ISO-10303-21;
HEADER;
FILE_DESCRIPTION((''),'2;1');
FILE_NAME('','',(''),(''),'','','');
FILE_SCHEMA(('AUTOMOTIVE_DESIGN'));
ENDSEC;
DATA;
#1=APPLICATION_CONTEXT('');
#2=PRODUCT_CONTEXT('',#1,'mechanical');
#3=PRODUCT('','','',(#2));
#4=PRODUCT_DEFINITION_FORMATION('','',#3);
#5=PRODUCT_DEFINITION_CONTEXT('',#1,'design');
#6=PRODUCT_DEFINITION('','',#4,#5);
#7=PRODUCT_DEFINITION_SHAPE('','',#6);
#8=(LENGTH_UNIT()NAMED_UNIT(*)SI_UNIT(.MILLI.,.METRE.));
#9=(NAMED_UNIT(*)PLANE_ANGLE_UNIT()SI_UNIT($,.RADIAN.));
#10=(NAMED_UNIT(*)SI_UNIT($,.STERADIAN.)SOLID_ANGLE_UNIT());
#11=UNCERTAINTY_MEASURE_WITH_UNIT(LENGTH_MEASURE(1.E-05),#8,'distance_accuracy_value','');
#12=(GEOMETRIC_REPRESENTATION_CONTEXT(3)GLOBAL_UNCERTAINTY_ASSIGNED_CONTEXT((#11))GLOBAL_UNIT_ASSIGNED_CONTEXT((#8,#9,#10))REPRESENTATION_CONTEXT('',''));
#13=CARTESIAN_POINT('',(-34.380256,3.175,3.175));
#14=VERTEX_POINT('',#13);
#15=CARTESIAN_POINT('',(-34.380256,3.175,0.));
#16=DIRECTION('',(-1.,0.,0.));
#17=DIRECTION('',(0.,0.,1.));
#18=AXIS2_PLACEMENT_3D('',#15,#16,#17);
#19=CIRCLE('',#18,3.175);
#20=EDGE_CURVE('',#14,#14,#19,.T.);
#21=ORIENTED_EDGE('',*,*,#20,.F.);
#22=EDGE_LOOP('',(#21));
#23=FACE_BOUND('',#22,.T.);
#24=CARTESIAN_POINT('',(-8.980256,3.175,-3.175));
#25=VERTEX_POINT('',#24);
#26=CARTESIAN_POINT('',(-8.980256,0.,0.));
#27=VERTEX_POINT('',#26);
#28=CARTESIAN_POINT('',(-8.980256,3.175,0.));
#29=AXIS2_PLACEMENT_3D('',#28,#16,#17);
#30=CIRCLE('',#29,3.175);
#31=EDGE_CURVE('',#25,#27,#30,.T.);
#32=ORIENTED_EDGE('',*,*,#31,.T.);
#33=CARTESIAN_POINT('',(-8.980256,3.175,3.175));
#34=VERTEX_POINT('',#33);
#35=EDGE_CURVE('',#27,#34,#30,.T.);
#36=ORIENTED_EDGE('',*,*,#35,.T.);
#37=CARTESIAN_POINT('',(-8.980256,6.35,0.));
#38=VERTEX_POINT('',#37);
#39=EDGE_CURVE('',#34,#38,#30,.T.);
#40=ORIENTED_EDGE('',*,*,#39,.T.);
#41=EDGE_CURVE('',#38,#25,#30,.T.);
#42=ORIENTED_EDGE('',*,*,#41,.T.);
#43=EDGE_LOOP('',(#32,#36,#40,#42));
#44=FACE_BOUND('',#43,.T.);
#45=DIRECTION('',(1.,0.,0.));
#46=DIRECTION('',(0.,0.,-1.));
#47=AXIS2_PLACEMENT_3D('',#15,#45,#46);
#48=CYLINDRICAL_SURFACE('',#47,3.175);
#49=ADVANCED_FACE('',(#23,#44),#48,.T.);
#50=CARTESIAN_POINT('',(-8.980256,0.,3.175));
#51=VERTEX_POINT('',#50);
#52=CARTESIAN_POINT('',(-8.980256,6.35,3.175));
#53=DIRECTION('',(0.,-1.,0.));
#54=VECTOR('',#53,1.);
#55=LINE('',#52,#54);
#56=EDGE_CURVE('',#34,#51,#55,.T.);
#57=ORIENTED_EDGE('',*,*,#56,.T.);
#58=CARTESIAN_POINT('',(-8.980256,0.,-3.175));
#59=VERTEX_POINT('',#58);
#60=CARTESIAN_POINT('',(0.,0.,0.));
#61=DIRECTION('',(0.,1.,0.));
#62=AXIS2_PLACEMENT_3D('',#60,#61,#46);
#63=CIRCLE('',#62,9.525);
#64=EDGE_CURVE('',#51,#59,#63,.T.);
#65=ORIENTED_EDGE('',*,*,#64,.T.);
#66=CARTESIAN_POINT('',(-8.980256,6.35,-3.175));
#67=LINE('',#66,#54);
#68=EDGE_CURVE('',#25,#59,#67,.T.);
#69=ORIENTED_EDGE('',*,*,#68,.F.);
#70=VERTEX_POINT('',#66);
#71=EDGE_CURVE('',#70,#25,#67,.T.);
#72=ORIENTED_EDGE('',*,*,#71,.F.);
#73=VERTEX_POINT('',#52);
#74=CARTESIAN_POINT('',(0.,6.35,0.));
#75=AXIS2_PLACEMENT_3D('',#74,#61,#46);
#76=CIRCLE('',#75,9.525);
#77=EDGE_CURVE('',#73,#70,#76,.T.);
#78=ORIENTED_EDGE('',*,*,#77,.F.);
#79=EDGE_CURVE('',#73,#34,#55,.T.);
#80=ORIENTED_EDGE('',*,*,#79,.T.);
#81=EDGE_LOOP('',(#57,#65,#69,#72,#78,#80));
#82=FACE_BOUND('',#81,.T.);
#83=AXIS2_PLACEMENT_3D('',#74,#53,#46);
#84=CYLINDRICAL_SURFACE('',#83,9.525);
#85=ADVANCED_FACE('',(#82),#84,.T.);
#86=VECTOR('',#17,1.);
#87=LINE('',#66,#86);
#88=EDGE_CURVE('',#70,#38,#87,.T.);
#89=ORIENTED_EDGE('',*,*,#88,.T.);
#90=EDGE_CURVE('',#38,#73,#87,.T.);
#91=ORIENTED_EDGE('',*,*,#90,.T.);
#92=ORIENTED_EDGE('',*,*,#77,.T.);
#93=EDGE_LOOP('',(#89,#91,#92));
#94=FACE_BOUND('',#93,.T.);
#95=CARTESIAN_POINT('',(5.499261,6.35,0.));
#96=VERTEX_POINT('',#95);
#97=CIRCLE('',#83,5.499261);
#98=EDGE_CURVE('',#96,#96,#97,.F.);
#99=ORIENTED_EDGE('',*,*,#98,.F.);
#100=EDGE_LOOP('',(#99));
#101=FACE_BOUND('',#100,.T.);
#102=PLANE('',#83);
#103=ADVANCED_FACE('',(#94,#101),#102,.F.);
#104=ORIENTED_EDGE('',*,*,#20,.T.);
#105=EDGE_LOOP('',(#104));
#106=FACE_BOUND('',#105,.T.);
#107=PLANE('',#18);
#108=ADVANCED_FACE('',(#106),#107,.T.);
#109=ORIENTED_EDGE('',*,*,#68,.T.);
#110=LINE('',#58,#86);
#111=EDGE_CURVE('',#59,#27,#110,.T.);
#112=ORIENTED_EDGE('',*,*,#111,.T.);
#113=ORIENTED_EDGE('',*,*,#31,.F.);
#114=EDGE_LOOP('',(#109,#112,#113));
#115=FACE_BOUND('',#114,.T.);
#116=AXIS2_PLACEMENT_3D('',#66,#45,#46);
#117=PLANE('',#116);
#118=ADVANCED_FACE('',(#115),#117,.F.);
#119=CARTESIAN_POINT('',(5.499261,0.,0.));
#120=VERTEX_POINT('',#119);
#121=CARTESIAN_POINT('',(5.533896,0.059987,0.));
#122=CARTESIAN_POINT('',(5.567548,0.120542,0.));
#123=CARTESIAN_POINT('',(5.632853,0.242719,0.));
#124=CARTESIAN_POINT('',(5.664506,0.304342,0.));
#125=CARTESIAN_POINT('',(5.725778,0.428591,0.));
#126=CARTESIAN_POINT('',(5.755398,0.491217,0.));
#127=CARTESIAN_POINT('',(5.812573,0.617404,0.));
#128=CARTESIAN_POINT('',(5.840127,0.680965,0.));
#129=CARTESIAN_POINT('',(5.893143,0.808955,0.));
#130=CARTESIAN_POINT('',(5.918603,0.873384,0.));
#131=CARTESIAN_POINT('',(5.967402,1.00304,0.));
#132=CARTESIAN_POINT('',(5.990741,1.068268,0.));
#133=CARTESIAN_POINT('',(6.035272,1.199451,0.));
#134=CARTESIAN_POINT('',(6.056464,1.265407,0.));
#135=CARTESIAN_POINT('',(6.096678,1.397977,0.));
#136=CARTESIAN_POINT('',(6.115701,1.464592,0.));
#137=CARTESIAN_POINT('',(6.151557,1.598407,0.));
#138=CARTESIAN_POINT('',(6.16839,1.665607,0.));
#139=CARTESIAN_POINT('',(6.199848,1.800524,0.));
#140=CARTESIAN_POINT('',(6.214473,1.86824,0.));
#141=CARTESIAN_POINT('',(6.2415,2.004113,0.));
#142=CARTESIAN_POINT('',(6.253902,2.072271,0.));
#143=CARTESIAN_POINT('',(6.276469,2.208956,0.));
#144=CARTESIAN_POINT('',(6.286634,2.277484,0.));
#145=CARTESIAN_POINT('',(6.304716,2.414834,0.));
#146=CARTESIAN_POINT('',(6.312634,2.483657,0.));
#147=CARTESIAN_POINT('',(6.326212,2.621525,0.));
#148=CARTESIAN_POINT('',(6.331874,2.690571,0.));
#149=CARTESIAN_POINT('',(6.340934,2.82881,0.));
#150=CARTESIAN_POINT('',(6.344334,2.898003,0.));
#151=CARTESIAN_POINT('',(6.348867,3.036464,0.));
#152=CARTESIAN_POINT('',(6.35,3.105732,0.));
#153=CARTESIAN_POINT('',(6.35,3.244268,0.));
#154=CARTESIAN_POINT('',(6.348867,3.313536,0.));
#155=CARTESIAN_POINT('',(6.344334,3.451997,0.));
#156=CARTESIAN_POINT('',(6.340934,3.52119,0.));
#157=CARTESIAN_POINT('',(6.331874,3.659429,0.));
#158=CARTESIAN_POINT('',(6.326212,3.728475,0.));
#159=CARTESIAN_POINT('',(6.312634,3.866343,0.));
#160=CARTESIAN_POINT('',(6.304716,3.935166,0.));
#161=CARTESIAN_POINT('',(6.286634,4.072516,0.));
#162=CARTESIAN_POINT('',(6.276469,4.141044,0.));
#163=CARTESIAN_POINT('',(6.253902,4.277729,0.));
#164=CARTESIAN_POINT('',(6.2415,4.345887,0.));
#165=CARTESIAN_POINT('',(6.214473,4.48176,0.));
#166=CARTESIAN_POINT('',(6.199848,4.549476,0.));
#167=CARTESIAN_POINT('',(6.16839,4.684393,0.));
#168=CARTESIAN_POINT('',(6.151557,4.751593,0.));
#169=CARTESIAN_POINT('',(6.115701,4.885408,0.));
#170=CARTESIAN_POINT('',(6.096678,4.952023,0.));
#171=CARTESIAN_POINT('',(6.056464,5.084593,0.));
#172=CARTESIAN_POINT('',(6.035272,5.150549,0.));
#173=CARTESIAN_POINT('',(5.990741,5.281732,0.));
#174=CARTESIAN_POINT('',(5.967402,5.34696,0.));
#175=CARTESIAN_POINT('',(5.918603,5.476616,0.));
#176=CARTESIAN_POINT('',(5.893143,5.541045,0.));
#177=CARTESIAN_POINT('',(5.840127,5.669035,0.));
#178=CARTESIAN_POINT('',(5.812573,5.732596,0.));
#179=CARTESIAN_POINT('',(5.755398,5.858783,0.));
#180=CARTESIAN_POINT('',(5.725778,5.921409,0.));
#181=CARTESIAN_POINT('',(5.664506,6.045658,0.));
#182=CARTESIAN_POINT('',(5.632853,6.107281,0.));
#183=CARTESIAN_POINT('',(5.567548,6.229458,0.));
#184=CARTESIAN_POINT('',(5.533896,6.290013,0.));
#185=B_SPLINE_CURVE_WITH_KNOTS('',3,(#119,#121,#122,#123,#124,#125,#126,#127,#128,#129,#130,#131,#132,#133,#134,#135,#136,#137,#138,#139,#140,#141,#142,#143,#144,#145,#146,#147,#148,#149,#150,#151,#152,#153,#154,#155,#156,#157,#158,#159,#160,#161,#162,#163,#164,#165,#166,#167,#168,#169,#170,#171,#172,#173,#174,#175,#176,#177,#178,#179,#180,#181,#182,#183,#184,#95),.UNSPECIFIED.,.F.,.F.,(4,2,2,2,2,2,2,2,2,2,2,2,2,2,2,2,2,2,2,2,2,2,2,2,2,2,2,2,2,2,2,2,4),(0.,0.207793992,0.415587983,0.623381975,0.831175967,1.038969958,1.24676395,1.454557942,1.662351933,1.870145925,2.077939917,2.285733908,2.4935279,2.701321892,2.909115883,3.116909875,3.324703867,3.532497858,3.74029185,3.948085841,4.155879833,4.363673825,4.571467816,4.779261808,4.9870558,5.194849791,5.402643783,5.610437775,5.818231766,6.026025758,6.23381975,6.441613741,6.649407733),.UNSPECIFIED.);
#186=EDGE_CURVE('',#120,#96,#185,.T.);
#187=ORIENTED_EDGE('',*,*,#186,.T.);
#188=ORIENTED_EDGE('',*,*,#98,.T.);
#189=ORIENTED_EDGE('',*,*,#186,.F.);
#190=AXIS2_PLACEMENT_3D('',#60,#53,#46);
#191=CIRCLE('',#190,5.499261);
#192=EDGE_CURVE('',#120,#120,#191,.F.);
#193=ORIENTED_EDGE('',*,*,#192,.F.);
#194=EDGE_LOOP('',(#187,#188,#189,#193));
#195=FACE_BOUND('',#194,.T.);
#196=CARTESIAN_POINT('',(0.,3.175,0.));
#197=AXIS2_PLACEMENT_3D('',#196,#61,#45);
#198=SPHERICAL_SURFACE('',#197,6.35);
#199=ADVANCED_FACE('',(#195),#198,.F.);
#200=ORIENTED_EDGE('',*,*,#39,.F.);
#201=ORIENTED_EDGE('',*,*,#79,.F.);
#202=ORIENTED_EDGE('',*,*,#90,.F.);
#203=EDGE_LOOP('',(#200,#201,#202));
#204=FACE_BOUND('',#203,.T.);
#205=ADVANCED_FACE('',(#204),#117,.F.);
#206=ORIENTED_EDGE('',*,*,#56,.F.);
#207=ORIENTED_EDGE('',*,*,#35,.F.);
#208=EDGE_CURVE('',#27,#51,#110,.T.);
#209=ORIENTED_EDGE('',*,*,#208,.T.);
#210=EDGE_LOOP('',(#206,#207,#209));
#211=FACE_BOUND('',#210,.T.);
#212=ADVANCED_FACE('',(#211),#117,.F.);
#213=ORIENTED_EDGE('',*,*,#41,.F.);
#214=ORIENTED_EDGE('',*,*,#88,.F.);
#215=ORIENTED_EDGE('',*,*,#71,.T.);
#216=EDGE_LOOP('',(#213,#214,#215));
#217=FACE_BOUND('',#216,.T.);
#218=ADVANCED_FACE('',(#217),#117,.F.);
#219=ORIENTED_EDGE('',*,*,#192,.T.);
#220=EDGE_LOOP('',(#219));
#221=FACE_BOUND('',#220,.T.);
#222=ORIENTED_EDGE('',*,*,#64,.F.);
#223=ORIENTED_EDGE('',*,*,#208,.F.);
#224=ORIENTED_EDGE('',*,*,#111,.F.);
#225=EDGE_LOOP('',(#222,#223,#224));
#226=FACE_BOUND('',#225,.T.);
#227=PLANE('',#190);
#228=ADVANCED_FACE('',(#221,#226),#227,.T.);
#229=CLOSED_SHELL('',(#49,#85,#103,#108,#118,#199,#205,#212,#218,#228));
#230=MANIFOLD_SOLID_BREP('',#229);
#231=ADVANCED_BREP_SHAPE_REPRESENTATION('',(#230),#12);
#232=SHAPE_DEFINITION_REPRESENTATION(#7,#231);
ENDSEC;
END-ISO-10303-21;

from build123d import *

# Parameters (mm, degrees)
BOSS_EXTRUDE1_DEPTH = 6.35
SKETCH2_R           = 3.175
BOSS_EXTRUDE2_DEPTH = 25.4


with BuildPart() as part:
    # Sketch1 → Boss-Extrude1 (new body)
    with BuildSketch(Plane(origin=(0, 0, 0), x_dir=(1, 0, 0), z_dir=(0, 1, 0))):
        with BuildLine():
            Line((-8.980256121, 3.175), (-8.980256121, -3.175))
            ThreePointArc((-8.980256121, -3.175), (9.525, 0), (-8.980256121, 3.175))
        make_face()
    extrude(amount=BOSS_EXTRUDE1_DEPTH)

    # Sketch2 → Boss-Extrude2 (add)
    with BuildSketch(Plane.ZY.offset(8.980256121)):
        with Locations((0, 3.175)):
            Circle(SKETCH2_R)
    extrude(amount=BOSS_EXTRUDE2_DEPTH)

    # Sketch3 → Cut-Revolve1 (revolve, cut)
    with BuildSketch(Plane.XY):
        with BuildLine():
            Line((0, 9.525), (0, -3.175))
            ThreePointArc((0, -3.175), (6.35, 3.175), (0, 9.525))
        make_face()
    revolve(axis=Axis((0, 6.35, 0), (0, -1, 0)), mode=Mode.SUBTRACT)


solid = part.part
